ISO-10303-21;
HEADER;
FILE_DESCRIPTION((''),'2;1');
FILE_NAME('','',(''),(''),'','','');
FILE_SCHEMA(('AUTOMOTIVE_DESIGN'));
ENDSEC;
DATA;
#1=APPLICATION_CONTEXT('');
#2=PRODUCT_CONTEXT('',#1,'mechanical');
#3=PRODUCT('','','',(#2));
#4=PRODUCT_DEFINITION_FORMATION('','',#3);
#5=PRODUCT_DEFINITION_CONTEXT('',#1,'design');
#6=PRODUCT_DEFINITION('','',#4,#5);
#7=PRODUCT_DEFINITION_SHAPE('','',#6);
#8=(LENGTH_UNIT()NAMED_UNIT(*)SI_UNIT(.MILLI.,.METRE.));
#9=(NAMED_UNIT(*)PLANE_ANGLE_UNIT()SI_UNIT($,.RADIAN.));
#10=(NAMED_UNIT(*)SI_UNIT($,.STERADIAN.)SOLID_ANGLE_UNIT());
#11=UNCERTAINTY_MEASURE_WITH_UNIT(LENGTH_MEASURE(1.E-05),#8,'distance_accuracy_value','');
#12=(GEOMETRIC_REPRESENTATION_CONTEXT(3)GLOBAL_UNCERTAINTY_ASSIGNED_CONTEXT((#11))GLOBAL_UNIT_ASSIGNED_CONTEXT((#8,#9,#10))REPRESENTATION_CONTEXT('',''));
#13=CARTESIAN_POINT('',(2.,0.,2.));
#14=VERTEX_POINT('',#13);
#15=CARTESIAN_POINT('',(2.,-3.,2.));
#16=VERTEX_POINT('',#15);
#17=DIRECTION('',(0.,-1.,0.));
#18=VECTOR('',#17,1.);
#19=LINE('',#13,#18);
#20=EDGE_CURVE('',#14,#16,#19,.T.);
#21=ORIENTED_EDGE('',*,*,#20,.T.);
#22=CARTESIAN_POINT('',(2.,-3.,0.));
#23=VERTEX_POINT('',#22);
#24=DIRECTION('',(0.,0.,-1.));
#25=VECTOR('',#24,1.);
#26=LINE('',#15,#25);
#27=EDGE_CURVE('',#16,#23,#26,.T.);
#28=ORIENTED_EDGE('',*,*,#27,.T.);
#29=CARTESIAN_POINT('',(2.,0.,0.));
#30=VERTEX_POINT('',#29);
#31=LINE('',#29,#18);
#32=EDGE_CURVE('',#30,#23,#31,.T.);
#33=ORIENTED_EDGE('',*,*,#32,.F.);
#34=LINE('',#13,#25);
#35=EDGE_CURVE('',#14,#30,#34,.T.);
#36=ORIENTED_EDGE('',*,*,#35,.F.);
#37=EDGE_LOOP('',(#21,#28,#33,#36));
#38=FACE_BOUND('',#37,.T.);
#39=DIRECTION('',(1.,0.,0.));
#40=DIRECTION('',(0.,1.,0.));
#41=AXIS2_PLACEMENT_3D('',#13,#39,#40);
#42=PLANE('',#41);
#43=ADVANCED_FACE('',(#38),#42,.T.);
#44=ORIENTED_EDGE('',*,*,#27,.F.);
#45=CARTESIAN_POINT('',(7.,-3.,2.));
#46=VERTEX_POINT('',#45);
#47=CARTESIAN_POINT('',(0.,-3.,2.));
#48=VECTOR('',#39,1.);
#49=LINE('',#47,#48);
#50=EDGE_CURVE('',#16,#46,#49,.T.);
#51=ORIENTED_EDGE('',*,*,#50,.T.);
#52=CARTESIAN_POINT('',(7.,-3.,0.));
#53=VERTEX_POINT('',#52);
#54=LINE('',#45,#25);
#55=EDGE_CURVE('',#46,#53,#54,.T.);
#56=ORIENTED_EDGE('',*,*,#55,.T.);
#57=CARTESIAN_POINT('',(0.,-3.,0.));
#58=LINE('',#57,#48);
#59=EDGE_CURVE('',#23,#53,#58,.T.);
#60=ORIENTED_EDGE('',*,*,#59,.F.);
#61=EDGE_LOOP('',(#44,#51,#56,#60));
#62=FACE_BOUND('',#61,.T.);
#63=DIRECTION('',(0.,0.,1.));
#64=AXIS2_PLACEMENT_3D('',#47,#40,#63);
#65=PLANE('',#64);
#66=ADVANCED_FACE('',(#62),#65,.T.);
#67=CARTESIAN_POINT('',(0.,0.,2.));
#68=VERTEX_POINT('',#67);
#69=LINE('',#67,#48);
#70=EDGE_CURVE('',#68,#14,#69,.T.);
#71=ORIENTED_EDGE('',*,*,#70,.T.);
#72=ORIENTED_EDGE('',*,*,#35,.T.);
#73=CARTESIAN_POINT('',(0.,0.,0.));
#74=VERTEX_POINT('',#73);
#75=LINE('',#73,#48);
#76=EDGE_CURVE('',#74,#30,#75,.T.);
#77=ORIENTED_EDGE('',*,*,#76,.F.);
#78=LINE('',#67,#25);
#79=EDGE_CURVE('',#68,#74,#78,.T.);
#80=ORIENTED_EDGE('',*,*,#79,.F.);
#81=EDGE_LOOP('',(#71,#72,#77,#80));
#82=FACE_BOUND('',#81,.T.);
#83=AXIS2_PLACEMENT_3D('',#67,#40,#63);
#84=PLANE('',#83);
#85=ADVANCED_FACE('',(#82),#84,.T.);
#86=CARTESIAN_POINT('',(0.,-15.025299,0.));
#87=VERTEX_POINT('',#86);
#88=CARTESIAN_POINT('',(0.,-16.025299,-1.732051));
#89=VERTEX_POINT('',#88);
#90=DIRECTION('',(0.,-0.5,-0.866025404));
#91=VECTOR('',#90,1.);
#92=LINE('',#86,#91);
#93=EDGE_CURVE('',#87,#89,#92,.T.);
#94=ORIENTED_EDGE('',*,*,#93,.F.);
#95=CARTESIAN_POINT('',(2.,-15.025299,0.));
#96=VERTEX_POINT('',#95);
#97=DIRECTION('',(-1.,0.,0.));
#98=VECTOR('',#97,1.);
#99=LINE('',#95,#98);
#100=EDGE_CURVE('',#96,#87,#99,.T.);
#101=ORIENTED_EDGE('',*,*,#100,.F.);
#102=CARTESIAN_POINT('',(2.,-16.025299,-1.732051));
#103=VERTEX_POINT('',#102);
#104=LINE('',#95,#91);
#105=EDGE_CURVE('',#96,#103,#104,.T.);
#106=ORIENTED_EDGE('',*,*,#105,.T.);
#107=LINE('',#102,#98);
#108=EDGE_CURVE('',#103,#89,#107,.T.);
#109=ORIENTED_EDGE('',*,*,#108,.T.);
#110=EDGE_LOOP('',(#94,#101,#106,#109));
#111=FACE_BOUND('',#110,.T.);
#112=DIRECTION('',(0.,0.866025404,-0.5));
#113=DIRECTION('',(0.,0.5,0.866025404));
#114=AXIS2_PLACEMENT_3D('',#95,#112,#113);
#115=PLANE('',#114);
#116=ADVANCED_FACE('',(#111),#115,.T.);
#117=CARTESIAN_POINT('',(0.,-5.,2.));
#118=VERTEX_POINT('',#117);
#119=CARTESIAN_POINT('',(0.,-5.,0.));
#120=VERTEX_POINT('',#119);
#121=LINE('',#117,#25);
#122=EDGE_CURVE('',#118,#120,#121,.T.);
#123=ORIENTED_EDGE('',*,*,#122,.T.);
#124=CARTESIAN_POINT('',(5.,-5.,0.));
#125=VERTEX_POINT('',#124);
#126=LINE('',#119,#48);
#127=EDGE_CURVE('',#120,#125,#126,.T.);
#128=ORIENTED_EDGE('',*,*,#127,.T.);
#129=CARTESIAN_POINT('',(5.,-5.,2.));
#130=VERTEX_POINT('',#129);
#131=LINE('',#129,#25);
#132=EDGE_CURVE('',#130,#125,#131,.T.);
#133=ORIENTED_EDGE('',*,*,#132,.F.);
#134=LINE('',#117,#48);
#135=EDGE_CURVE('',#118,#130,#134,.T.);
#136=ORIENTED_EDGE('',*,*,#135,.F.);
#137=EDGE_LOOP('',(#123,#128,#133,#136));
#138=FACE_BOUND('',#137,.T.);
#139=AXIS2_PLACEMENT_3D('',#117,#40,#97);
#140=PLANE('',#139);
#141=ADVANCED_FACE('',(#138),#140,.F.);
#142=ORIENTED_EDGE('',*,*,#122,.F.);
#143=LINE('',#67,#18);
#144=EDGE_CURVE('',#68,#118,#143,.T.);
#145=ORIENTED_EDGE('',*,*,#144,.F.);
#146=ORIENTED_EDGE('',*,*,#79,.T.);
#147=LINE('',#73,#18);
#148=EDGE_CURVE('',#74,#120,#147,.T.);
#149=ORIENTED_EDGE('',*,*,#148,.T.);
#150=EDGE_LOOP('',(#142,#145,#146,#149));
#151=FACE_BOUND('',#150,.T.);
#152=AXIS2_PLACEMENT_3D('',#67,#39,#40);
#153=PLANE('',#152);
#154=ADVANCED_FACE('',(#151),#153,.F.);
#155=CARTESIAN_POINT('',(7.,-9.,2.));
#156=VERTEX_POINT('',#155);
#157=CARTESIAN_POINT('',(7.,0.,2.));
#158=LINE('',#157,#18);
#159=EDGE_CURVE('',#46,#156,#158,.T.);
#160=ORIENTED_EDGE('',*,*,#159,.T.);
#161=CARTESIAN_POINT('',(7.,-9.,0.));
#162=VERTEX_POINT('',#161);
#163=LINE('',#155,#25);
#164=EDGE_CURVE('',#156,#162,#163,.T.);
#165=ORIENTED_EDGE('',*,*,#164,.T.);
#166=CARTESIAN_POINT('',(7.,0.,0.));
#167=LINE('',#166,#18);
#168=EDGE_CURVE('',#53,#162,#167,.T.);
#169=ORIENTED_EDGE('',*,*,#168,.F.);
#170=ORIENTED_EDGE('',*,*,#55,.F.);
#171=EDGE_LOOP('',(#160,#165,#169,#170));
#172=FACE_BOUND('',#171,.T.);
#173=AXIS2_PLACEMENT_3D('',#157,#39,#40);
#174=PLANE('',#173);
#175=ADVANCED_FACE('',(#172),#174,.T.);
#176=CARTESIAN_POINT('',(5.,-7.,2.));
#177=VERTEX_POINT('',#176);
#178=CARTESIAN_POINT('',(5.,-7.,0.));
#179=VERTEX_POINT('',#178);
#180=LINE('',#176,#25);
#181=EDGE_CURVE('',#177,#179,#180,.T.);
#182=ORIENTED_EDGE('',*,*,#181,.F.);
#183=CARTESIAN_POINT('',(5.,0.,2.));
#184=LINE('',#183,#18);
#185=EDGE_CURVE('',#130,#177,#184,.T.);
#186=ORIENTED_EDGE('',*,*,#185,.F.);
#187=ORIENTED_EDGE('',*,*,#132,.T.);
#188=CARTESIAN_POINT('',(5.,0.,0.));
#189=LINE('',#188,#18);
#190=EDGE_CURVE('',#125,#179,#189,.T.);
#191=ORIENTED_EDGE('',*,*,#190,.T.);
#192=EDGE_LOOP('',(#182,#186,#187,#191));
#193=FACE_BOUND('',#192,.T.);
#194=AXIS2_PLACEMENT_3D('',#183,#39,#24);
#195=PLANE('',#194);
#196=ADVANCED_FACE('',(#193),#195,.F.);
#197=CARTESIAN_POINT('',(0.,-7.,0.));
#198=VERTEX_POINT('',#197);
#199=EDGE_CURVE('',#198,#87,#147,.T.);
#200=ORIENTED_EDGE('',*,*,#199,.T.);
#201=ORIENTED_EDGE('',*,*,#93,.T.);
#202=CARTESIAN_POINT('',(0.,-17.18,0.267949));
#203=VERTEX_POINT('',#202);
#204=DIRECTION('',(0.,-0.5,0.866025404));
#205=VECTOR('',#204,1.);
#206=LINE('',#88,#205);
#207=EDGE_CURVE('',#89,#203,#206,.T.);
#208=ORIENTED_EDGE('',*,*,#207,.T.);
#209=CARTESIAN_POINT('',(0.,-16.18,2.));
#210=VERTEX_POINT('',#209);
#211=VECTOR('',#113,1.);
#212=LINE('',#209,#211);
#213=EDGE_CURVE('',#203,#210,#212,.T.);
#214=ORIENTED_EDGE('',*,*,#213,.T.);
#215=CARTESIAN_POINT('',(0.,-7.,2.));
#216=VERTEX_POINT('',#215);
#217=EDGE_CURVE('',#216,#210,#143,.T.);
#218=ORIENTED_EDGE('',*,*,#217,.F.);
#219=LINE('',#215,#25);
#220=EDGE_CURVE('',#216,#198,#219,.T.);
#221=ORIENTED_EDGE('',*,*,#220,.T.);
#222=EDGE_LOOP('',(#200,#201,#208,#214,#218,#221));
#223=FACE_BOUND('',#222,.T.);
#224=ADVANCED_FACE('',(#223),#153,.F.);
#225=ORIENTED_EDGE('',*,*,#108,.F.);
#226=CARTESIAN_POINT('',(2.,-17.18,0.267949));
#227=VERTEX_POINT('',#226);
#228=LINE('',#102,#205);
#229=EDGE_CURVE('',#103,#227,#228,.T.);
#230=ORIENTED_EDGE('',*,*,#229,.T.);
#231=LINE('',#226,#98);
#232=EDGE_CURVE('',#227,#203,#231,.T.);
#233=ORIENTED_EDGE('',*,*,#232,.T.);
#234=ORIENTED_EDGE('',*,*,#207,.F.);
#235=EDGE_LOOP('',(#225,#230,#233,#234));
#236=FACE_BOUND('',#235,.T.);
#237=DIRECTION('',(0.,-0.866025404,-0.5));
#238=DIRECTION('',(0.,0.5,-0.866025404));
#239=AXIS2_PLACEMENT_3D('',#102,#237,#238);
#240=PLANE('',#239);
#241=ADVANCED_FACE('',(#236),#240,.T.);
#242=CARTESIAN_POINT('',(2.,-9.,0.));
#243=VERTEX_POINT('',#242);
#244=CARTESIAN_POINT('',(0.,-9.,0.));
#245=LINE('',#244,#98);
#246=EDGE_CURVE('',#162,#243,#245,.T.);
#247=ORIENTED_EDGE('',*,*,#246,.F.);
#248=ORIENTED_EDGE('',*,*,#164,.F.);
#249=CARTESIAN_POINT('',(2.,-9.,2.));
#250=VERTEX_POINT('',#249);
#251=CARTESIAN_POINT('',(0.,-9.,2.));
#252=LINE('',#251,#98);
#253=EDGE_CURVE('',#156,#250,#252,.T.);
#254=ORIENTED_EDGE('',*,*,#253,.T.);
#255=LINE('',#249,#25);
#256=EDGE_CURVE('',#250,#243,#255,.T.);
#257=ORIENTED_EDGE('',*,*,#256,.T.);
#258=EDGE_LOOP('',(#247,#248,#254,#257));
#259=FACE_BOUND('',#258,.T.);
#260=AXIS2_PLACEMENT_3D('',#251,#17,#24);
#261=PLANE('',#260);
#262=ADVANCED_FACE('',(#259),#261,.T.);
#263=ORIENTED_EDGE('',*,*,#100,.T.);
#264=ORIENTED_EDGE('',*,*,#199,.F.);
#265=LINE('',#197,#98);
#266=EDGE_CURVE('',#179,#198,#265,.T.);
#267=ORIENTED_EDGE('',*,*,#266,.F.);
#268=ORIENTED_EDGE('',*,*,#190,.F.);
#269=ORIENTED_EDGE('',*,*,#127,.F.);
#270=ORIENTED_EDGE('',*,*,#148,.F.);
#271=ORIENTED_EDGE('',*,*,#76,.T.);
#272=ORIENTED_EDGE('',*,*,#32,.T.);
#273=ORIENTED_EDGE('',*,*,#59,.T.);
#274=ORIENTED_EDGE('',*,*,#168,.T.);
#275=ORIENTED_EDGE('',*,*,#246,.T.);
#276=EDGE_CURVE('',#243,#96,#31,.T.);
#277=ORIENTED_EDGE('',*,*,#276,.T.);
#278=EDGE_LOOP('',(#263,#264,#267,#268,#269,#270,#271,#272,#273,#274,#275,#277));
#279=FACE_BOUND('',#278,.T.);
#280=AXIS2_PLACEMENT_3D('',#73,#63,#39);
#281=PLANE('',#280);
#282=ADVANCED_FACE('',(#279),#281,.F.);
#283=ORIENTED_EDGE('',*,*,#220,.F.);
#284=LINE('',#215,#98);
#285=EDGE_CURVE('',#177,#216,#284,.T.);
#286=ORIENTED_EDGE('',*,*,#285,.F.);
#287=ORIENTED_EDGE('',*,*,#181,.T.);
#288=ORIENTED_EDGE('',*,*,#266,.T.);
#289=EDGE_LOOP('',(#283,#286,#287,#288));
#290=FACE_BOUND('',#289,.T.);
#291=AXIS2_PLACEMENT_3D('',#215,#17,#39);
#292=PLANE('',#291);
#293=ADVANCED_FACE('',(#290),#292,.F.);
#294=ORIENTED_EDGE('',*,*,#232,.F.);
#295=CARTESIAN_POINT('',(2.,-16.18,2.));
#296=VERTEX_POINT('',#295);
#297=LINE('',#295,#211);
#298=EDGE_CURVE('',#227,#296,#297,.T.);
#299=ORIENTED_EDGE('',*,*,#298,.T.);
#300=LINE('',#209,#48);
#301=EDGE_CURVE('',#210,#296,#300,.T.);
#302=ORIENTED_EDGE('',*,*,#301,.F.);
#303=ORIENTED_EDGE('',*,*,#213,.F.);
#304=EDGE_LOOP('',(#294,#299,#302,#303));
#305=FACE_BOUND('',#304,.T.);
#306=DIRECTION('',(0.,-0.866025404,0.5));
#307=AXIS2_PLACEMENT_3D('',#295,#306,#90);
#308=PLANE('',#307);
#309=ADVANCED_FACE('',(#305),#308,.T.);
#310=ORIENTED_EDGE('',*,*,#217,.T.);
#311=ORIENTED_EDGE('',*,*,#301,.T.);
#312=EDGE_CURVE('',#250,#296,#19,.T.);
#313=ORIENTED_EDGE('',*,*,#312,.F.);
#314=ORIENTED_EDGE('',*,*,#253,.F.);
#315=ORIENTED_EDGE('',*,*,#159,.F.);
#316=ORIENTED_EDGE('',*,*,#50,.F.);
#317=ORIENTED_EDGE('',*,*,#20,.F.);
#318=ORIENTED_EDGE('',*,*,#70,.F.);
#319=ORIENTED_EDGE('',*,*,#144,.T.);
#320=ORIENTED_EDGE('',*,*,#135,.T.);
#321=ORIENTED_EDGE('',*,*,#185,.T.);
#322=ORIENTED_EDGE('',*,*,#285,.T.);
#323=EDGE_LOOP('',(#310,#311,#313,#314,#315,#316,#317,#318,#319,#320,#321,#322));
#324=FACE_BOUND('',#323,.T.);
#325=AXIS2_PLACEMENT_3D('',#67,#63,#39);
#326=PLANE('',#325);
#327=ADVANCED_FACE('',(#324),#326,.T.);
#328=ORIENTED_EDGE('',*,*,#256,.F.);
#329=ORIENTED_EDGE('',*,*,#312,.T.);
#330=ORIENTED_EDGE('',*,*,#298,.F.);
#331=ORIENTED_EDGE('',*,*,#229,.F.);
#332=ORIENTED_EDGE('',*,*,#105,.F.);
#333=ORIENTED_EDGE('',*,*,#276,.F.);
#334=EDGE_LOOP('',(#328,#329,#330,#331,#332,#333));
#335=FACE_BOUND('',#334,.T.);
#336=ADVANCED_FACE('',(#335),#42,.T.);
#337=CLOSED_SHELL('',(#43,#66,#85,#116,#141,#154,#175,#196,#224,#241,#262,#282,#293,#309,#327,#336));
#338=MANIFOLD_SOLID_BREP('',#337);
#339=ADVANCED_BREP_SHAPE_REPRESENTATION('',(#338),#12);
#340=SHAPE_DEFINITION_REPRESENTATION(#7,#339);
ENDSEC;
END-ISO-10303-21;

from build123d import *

# Parameters (mm, degrees)
SKETCH_1_W      = 2
SKETCH_1_H      = 7.18
SKETCH_1_H_2    = 5
EXTRUDE_1_DEPTH = 2
EXTRUDE_2_DEPTH = 2


with BuildPart() as part:
    # 草图1 → 凸台-拉伸1 (new body)
    with BuildSketch(Plane.XY):
        with Locations((1, -12.59)):
            Rectangle(SKETCH_1_W, SKETCH_1_H)
        Polygon((5, -9), (5, -7), (0, -7), (0, -9), (2, -9), align=None)
        Polygon((7, -5), (5, -5), (5, -7), (5, -9), (7, -9), align=None)
        with Locations((1, -2.5)):
            Rectangle(SKETCH_1_W, SKETCH_1_H_2)
        Polygon((7, -3), (2, -3), (2, -5), (5, -5), (7, -5), align=None)
    extrude(amount=EXTRUDE_1_DEPTH)

    # 草图2 → 凸台-拉伸2 (add)
    with BuildSketch(Plane.ZY):
        Polygon((2, -16.18), (0.267949192, -17.18), (-1.732050808, -16.025299462), (0, -15.025299462), align=None)
    extrude(amount=-EXTRUDE_2_DEPTH)


solid = part.part
